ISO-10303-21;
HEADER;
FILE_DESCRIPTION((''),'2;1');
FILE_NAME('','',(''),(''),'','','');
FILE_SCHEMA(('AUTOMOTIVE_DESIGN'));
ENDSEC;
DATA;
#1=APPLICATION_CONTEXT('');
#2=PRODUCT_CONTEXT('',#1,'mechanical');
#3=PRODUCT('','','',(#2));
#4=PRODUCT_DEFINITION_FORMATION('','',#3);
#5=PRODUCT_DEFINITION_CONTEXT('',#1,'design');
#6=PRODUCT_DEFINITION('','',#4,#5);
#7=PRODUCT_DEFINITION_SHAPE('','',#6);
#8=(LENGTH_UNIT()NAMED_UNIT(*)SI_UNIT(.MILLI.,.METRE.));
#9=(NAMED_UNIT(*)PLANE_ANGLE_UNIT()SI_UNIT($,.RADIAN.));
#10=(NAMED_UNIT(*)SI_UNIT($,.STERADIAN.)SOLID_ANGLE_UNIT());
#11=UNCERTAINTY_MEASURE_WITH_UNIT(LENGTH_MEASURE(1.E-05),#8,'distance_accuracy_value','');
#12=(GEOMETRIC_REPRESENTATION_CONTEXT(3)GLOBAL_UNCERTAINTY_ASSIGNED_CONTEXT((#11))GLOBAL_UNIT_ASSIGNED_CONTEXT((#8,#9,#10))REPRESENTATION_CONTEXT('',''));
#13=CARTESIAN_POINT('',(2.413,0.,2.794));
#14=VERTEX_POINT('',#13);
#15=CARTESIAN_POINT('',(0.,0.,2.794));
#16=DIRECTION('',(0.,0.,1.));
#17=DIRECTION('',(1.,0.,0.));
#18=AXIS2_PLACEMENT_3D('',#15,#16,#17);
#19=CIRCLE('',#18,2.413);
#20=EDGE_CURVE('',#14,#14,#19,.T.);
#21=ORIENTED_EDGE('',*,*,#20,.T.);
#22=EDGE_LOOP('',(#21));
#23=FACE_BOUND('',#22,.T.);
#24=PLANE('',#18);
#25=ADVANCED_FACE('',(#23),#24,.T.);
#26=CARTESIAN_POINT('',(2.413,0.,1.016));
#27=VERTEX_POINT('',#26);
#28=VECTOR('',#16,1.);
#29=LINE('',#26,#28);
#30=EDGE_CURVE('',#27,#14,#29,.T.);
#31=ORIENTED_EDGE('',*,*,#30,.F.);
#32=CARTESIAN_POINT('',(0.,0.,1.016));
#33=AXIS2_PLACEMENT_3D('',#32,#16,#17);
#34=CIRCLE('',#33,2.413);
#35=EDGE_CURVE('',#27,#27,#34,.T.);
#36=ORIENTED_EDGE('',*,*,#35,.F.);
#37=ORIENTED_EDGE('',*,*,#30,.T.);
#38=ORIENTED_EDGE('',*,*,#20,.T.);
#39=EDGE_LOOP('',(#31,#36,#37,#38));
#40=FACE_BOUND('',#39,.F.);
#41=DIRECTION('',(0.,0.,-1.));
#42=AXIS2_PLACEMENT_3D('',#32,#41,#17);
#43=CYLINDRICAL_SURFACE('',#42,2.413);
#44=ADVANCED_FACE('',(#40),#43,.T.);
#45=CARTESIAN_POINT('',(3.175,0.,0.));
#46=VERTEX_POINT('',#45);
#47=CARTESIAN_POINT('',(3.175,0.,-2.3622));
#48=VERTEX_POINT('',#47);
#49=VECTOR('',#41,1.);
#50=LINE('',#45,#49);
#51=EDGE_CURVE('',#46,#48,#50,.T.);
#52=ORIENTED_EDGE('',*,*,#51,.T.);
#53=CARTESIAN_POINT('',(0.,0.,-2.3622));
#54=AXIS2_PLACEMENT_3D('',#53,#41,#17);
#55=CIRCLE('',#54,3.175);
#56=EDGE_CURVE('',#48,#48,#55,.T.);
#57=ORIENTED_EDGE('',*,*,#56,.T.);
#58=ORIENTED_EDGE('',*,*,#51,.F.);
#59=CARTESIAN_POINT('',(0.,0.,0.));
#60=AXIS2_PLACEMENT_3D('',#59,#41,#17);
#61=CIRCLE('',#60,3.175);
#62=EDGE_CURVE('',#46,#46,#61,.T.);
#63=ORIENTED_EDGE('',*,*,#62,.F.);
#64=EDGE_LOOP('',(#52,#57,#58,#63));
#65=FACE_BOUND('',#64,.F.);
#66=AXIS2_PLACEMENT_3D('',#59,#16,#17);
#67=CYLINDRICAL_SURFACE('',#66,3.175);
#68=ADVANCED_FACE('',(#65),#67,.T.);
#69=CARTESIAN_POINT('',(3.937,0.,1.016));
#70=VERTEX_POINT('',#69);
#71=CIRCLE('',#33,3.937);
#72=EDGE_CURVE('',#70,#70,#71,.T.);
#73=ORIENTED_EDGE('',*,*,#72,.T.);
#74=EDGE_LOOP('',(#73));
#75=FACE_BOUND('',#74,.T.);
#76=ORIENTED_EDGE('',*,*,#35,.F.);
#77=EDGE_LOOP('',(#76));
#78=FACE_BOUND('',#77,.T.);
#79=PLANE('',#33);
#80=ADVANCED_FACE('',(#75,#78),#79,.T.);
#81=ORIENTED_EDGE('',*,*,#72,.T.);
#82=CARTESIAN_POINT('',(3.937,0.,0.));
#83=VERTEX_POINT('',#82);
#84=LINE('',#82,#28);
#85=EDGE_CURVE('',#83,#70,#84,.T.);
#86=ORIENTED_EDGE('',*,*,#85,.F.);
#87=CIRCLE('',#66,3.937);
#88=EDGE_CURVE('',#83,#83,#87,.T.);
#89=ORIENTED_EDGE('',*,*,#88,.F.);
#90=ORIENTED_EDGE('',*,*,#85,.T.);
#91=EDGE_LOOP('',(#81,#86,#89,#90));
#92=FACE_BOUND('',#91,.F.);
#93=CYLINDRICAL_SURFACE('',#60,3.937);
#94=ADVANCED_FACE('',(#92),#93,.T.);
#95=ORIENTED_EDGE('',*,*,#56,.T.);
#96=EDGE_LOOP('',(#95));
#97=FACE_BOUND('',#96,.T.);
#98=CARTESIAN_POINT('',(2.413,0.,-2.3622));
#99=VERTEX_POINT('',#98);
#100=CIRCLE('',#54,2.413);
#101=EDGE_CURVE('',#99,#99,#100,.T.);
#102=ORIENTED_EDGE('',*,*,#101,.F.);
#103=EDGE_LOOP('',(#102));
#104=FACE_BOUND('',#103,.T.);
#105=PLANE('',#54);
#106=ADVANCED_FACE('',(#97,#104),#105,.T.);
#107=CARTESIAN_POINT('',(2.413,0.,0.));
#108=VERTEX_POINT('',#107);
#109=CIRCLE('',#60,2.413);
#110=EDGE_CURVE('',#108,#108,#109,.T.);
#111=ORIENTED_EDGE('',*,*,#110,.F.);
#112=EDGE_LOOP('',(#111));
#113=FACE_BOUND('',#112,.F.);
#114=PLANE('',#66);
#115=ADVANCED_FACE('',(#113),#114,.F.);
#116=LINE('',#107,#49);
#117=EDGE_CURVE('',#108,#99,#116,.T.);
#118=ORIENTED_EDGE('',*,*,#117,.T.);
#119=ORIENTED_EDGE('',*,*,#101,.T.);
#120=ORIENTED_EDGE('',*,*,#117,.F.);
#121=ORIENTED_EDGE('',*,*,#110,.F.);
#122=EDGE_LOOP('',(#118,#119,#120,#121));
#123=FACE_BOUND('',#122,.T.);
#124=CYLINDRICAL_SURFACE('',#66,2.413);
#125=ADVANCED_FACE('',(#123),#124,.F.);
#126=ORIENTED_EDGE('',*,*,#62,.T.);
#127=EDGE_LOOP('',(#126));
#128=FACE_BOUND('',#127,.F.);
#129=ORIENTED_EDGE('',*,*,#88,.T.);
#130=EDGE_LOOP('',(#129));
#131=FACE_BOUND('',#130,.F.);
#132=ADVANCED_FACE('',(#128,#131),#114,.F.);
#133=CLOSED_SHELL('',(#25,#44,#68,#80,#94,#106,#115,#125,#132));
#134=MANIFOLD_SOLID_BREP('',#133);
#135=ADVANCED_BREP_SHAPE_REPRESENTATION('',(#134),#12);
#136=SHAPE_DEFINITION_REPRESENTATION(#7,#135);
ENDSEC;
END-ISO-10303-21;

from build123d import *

# Parameters (mm, degrees)
F0_R     = 3.937
F1_DEPTH = 1.016
F2_R     = 2.413
F3_DEPTH = 1.778
F4_R     = 3.175
F4_R_2   = 2.413
F5_DEPTH = 2.3622


with BuildPart() as f1:
    # F0 (on Top) → F1 (new body)
    with BuildSketch(Plane.XY):
        Circle(F0_R)
    extrude(amount=F1_DEPTH)

    # F2 (on face) → F3 (join)
    with BuildSketch(Plane.XY.offset(1.016)):
        Circle(F2_R)
    extrude(amount=F3_DEPTH)

    # F4 (on face) → F5 (join)
    with BuildSketch(Plane(origin=(0, 0, 0), x_dir=(1, 0, 0), z_dir=(0, 0, -1))):
        Circle(F4_R)
        Circle(F4_R_2, mode=Mode.SUBTRACT)
    extrude(amount=F5_DEPTH)


solid = f1.part
